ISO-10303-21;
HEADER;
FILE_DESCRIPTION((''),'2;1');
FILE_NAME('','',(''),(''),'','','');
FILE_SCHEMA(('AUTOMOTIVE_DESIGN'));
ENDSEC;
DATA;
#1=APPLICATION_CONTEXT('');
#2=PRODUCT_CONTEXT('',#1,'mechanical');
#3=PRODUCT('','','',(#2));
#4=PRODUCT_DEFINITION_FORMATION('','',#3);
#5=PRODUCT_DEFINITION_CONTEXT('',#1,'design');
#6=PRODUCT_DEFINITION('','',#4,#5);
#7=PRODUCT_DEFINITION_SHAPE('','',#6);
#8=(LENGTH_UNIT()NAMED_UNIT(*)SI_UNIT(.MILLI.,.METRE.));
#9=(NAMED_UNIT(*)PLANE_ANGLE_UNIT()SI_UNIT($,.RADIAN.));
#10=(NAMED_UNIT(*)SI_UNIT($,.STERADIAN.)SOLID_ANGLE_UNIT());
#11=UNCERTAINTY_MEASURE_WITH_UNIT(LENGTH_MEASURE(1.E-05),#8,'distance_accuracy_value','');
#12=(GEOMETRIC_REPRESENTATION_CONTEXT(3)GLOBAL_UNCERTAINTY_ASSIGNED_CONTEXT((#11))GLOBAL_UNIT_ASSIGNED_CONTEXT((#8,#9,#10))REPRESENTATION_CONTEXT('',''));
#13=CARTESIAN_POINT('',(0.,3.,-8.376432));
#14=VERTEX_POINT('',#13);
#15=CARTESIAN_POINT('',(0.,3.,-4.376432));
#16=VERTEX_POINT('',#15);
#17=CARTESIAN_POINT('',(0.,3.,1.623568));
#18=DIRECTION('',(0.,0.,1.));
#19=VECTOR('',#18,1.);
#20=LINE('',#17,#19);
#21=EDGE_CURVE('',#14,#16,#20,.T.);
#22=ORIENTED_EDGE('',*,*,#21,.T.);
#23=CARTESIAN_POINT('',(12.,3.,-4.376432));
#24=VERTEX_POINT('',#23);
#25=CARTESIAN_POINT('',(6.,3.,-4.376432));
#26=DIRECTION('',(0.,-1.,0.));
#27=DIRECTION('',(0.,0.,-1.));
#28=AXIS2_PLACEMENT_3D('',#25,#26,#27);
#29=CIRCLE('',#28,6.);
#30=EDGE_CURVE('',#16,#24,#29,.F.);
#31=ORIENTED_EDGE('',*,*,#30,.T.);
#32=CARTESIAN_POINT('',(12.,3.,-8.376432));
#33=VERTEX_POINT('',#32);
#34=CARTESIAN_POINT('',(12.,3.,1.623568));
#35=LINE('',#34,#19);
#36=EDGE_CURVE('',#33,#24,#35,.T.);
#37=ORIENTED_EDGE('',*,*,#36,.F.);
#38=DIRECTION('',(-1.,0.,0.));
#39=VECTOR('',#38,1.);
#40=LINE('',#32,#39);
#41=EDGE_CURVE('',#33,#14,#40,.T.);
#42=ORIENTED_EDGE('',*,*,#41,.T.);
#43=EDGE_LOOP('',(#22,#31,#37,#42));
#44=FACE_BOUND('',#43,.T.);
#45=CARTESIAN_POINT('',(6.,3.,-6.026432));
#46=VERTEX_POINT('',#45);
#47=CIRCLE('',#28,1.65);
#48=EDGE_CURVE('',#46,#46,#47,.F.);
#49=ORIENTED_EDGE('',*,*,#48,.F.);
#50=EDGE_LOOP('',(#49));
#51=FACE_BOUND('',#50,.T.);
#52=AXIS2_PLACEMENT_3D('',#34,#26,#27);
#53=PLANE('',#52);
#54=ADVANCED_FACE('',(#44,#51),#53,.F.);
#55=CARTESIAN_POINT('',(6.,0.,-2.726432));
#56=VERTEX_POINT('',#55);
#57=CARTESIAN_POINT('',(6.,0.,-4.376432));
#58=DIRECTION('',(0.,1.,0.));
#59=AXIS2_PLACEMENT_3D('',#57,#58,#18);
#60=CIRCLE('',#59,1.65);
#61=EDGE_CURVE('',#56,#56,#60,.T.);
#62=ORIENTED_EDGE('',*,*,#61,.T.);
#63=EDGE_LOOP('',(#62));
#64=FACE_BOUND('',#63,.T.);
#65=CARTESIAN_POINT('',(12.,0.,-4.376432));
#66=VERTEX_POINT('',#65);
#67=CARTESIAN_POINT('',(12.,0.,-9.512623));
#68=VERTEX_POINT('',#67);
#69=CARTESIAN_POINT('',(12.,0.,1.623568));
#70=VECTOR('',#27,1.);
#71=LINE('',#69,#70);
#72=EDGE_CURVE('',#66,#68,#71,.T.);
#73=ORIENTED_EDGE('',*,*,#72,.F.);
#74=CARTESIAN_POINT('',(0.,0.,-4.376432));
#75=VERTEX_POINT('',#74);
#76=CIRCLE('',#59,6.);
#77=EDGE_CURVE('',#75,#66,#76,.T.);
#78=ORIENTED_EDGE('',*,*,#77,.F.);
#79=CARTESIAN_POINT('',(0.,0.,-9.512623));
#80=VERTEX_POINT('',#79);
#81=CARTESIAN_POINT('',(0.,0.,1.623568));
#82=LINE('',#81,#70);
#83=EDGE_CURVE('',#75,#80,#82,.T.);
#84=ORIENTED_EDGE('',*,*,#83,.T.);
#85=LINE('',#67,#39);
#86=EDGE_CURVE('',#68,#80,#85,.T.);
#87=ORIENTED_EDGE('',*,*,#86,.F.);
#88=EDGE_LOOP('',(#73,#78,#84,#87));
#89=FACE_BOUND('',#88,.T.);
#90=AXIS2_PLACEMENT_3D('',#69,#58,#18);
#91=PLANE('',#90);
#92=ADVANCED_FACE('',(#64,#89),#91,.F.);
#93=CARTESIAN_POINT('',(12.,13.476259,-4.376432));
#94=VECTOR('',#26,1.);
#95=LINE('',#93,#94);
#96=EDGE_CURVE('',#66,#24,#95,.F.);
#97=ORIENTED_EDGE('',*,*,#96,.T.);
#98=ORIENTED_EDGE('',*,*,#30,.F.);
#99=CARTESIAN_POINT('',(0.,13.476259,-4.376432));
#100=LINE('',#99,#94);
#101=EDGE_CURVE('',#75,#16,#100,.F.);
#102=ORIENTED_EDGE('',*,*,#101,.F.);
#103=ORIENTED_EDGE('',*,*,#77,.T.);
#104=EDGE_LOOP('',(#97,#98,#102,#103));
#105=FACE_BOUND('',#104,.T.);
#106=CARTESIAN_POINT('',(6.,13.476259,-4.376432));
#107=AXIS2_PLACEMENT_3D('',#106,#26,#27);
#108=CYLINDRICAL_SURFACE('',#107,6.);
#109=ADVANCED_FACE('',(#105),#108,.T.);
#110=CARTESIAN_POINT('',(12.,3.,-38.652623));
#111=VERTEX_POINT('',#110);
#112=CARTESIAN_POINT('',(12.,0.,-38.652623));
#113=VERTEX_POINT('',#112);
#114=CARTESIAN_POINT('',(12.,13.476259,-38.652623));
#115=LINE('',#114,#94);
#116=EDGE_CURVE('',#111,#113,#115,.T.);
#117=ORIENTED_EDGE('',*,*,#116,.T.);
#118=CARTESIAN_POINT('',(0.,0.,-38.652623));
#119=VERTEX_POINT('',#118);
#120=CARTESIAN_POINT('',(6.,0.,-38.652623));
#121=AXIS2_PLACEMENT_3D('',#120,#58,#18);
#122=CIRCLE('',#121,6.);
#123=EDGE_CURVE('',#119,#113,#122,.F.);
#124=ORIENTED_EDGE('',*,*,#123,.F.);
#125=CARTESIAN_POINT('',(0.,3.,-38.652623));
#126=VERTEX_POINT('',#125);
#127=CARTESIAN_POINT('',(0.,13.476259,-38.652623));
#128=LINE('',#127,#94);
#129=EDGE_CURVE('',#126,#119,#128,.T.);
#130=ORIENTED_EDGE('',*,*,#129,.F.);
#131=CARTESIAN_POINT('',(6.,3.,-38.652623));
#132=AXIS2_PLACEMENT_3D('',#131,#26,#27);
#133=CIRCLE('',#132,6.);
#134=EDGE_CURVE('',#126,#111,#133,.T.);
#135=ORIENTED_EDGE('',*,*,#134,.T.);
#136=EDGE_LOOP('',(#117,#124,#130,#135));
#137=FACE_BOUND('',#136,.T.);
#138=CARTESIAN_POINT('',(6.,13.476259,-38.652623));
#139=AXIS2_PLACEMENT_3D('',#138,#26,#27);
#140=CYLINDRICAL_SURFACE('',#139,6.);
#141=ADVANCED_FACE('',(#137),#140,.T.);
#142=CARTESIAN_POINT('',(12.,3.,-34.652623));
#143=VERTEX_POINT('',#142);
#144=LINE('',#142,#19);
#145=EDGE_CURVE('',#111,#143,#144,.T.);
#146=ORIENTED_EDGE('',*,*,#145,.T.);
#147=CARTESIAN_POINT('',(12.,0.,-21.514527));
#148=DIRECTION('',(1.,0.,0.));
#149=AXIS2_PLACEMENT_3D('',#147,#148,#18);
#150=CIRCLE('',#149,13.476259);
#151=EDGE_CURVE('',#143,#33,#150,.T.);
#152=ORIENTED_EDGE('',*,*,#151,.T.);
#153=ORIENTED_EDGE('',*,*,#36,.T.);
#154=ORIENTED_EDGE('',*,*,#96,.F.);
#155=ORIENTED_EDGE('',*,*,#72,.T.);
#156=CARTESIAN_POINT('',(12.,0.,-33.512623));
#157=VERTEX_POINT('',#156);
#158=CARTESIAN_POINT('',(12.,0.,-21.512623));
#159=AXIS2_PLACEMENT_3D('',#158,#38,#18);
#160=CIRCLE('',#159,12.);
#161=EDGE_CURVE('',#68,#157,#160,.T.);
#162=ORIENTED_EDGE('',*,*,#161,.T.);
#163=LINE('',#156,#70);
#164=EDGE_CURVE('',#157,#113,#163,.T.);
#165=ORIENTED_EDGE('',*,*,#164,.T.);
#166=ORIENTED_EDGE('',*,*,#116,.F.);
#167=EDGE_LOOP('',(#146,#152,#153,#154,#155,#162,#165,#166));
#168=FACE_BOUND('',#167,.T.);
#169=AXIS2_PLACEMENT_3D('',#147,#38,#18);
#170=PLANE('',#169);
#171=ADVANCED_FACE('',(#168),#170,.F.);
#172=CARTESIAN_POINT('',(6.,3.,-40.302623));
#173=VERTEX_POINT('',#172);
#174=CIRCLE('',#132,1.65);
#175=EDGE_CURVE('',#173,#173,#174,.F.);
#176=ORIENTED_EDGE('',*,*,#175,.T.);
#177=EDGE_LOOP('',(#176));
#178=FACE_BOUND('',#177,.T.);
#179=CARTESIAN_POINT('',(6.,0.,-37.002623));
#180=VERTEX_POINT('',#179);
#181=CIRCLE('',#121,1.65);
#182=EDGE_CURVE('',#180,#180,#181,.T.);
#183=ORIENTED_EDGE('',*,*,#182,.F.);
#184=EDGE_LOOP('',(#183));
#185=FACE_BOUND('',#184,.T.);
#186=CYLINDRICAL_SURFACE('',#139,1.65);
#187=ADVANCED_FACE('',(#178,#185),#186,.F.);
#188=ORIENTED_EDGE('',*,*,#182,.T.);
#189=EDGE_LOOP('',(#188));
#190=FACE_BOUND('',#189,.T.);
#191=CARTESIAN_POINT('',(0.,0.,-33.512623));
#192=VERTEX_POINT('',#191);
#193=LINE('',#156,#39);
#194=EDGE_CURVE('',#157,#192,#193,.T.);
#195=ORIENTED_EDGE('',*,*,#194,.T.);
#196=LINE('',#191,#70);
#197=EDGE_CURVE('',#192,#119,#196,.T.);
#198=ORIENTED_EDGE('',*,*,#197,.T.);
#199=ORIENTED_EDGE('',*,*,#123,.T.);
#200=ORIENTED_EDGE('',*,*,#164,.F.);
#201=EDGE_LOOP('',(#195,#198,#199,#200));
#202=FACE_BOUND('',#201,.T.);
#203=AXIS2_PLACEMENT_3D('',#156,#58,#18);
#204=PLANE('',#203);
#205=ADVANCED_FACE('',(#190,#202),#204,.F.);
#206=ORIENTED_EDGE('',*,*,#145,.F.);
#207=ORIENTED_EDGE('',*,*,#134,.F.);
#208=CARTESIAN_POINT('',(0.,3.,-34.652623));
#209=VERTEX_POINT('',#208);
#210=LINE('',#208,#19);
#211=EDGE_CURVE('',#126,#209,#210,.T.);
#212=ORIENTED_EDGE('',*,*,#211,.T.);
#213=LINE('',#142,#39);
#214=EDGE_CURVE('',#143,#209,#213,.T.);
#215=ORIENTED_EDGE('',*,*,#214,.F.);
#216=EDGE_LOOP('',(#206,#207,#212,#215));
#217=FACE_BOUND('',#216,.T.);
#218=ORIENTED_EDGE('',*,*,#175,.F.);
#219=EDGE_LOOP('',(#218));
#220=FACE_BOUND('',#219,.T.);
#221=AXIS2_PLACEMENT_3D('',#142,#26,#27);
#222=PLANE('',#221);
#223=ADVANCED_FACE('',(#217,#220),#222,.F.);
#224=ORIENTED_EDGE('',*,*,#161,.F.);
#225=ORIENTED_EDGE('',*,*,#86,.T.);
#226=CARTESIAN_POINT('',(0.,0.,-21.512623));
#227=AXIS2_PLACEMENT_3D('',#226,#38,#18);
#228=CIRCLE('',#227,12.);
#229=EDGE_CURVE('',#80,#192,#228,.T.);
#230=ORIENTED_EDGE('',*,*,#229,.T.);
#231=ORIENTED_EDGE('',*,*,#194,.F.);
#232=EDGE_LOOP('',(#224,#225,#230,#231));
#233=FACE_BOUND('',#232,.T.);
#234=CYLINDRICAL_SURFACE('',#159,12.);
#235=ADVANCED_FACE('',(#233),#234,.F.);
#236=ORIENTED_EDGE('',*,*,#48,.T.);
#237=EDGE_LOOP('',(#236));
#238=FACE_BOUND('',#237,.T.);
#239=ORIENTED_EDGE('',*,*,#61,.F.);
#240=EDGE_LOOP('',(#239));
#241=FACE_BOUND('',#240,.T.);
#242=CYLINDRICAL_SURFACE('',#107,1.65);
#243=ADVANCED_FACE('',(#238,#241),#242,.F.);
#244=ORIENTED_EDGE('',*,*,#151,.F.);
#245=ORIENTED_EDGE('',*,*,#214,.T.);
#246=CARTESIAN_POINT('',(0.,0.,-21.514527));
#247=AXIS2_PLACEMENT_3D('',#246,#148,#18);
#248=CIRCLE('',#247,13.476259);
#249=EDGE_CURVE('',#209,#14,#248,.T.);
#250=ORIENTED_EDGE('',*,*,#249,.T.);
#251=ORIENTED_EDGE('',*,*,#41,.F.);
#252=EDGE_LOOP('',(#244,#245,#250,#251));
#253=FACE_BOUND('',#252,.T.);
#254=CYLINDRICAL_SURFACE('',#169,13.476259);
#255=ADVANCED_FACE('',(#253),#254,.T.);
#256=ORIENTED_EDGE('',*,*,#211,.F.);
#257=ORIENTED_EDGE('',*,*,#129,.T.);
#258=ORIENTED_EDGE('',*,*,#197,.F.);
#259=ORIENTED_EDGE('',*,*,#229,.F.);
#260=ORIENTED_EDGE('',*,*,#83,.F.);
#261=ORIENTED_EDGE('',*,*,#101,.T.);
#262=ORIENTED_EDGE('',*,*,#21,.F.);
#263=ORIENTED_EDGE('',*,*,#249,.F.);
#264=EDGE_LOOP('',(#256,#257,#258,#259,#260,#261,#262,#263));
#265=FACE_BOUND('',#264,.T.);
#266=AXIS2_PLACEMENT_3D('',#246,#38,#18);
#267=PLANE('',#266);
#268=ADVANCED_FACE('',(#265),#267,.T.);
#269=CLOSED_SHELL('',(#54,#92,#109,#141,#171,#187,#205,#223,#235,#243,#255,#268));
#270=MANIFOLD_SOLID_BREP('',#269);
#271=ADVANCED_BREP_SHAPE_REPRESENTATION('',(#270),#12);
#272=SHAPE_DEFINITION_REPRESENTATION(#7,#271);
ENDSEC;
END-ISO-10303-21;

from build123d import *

# Parameters (mm, degrees)
BOSS_EXTRUDE1_DEPTH = 12
SKETCH2_R           = 1.65
CUT_EXTRUDE2_DEPTH  = 14.476258968


with BuildPart() as part:
    # Sketch1 → Boss-Extrude1 (new body)
    with BuildSketch(Plane(origin=(0, 0, 0), x_dir=(0, 0, -1), z_dir=(1, 0, 0))):
        with BuildLine():
            Line((-1.623568234, 0), (9.512622948, 0))
            ThreePointArc((9.512622948, 0), (21.512622948, 12), (33.512622948, 0))
            Line((33.512622948, 0), (44.652622948, 0))
            Line((44.652622948, 0), (44.652622948, 3))
            Line((44.652622948, 3), (34.652622948, 3))
            ThreePointArc((34.652622948, 3), (21.514527357, 13.476258968), (8.376431766, 3))
            Line((8.376431766, 3), (-1.623568234, 3))
            Line((-1.623568234, 3), (-1.623568234, 0))
        make_face()
    extrude(amount=BOSS_EXTRUDE1_DEPTH)

    # Sketch2 → Cut-Extrude2 (cut, through all)
    with BuildSketch(Plane(origin=(0, 0, 0), x_dir=(1, 0, 0), z_dir=(0, 1, 0))):
        with BuildLine():
            Line((0, 44.652622948), (0, 38.652622948))
            ThreePointArc((0, 38.652622948), (1.757359313, 42.895263636), (6, 44.652622948))
            Line((6, 44.652622948), (0, 44.652622948))
        make_face()
        with BuildLine():
            Line((12, 44.652622948), (6, 44.652622948))
            ThreePointArc((6, 44.652622948), (10.242640687, 42.895263636), (12, 38.652622948))
            Line((12, 38.652622948), (12, 44.652622948))
        make_face()
        with BuildLine():
            Line((12, -1.623568234), (12, 4.376431766))
            ThreePointArc((12, 4.376431766), (10.242640687, 0.133791079), (6, -1.623568234))
            Line((6, -1.623568234), (12, -1.623568234))
        make_face()
        with BuildLine():
            Line((0, -1.623568234), (6, -1.623568234))
            ThreePointArc((6, -1.623568234), (1.757359313, 0.133791079), (0, 4.376431766))
            Line((0, 4.376431766), (0, -1.623568234))
        make_face()
        with Locations((6, 4.376431766)):
            Circle(SKETCH2_R)
        with Locations((6, 38.652622948)):
            Circle(SKETCH2_R)
    extrude(amount=CUT_EXTRUDE2_DEPTH, mode=Mode.SUBTRACT)


solid = part.part
